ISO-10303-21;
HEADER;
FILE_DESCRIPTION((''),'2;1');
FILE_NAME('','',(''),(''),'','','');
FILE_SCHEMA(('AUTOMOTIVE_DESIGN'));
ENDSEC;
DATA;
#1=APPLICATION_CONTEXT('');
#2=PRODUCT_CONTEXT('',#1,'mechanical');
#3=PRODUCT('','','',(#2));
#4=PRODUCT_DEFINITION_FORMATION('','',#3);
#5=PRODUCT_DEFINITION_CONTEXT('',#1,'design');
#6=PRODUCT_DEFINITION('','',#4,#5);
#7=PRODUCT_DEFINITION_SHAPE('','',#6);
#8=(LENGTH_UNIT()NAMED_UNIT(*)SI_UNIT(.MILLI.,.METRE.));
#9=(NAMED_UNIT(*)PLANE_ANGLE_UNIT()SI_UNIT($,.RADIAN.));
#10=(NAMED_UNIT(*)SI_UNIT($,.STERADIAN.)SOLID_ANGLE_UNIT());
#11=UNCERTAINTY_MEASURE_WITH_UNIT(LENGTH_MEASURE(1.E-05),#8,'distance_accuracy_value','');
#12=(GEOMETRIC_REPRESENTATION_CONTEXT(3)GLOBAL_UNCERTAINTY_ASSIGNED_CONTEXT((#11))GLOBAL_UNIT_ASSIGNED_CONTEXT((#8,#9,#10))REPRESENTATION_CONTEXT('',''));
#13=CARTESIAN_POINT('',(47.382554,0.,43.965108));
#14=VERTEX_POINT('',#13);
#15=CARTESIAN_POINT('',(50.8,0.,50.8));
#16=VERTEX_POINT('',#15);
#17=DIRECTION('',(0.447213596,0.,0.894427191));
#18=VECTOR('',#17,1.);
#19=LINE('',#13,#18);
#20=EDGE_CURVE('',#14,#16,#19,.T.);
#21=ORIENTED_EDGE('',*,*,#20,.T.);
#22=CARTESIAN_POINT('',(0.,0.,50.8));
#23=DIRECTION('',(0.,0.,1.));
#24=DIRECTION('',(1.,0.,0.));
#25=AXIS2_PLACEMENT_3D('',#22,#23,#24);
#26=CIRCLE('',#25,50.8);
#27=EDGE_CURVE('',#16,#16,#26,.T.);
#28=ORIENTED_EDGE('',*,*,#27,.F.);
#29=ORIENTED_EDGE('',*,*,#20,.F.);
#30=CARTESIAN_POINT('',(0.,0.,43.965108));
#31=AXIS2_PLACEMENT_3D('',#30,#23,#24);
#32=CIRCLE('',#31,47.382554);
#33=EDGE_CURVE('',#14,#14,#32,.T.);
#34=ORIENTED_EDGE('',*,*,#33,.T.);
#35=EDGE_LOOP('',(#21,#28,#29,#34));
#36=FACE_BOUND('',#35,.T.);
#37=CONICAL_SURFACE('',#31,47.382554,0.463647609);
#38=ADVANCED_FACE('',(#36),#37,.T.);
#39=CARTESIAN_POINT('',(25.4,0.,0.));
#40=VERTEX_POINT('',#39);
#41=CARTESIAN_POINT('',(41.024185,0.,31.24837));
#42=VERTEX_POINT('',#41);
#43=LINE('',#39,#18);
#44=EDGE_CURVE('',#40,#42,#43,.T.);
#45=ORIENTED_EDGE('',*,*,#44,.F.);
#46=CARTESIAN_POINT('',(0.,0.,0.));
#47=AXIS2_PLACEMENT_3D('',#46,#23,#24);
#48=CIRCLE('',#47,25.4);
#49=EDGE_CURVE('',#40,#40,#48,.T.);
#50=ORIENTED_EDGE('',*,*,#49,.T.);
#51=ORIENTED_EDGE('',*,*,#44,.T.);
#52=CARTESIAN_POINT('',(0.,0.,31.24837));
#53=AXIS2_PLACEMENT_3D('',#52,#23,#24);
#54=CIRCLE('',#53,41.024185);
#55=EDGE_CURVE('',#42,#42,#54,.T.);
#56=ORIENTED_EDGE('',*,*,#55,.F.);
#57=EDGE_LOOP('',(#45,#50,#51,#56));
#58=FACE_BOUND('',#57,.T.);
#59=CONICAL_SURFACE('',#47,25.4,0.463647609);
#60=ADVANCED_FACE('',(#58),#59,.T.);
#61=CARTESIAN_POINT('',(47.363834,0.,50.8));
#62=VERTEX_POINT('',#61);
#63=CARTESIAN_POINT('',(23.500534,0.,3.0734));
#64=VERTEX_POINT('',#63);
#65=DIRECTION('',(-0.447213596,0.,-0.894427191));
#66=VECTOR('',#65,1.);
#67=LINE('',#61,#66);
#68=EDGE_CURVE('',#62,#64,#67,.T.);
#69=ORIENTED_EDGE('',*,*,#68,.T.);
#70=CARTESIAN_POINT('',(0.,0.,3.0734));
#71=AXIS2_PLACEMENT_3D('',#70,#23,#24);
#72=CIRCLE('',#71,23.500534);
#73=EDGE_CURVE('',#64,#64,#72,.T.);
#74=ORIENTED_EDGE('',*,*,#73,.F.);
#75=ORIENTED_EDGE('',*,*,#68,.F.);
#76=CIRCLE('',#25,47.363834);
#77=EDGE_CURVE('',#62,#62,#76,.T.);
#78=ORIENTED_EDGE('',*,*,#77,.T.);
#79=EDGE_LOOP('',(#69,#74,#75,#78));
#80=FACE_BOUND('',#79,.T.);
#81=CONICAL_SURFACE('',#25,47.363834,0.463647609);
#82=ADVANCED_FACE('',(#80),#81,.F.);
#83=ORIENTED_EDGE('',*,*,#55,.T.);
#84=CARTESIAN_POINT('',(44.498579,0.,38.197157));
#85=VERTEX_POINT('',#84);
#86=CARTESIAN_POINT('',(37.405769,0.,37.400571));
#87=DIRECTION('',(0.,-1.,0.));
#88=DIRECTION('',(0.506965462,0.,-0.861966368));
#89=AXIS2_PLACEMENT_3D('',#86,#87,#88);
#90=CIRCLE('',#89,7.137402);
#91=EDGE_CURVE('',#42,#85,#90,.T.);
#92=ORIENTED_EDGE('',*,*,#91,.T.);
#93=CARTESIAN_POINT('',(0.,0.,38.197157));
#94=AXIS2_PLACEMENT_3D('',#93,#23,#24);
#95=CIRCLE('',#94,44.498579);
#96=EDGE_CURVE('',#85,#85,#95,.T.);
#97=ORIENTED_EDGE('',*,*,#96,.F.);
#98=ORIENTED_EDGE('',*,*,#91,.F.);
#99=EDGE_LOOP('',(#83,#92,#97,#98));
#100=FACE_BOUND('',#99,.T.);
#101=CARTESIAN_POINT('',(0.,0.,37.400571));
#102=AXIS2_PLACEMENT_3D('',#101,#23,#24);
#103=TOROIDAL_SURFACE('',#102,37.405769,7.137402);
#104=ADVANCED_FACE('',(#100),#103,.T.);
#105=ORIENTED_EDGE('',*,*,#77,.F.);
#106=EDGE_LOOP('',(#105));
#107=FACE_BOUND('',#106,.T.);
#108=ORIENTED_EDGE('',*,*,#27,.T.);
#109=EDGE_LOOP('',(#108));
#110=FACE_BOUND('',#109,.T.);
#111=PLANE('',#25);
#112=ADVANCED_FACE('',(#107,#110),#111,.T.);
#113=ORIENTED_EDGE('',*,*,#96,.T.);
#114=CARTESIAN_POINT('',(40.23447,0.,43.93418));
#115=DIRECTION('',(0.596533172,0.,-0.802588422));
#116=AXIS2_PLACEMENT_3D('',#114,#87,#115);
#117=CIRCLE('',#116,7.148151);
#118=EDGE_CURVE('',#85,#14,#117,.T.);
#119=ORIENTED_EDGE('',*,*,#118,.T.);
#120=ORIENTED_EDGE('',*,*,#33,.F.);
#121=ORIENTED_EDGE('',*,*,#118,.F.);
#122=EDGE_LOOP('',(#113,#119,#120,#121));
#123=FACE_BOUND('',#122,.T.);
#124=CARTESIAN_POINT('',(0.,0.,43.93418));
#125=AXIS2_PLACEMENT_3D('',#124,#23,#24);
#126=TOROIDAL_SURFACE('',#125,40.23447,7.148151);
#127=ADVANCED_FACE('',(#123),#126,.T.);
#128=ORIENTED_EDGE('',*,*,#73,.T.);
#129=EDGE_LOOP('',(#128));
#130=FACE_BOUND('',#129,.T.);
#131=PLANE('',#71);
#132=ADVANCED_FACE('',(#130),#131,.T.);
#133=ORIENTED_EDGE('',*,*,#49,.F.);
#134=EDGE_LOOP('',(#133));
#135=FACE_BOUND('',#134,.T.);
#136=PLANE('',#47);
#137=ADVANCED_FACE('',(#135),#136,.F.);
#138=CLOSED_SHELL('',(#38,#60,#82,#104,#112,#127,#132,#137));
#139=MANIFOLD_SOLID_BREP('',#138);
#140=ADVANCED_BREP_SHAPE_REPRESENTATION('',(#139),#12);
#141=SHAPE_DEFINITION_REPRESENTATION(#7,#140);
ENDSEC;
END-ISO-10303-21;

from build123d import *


with BuildPart() as f1:
    # F0 (on Front) → F1 (revolve)
    with BuildSketch(Plane.XZ):
        Polygon((0, 3.0734), (0, 0), (25.4, 0), (41.024185, 31.24837), (44.498579, 38.197157), (47.382554, 43.965108), (50.8, 50.8), (47.363834, 50.8), (23.500534, 3.0734), align=None)
        with BuildLine():
            Line((47.382554, 43.965108), (44.498579, 38.197157))
            ThreePointArc((44.498579, 38.197157), (46.627971, 40.737431), (47.382554, 43.965108))
        make_face()
        with BuildLine():
            Line((44.498579, 38.197157), (41.024185, 31.24837))
            ThreePointArc((41.024185, 31.24837), (43.789655, 34.208627), (44.498579, 38.197157))
        make_face()
    revolve(axis=Axis((0, 0, 25.4), (0, 0, 1)))


solid = f1.part
